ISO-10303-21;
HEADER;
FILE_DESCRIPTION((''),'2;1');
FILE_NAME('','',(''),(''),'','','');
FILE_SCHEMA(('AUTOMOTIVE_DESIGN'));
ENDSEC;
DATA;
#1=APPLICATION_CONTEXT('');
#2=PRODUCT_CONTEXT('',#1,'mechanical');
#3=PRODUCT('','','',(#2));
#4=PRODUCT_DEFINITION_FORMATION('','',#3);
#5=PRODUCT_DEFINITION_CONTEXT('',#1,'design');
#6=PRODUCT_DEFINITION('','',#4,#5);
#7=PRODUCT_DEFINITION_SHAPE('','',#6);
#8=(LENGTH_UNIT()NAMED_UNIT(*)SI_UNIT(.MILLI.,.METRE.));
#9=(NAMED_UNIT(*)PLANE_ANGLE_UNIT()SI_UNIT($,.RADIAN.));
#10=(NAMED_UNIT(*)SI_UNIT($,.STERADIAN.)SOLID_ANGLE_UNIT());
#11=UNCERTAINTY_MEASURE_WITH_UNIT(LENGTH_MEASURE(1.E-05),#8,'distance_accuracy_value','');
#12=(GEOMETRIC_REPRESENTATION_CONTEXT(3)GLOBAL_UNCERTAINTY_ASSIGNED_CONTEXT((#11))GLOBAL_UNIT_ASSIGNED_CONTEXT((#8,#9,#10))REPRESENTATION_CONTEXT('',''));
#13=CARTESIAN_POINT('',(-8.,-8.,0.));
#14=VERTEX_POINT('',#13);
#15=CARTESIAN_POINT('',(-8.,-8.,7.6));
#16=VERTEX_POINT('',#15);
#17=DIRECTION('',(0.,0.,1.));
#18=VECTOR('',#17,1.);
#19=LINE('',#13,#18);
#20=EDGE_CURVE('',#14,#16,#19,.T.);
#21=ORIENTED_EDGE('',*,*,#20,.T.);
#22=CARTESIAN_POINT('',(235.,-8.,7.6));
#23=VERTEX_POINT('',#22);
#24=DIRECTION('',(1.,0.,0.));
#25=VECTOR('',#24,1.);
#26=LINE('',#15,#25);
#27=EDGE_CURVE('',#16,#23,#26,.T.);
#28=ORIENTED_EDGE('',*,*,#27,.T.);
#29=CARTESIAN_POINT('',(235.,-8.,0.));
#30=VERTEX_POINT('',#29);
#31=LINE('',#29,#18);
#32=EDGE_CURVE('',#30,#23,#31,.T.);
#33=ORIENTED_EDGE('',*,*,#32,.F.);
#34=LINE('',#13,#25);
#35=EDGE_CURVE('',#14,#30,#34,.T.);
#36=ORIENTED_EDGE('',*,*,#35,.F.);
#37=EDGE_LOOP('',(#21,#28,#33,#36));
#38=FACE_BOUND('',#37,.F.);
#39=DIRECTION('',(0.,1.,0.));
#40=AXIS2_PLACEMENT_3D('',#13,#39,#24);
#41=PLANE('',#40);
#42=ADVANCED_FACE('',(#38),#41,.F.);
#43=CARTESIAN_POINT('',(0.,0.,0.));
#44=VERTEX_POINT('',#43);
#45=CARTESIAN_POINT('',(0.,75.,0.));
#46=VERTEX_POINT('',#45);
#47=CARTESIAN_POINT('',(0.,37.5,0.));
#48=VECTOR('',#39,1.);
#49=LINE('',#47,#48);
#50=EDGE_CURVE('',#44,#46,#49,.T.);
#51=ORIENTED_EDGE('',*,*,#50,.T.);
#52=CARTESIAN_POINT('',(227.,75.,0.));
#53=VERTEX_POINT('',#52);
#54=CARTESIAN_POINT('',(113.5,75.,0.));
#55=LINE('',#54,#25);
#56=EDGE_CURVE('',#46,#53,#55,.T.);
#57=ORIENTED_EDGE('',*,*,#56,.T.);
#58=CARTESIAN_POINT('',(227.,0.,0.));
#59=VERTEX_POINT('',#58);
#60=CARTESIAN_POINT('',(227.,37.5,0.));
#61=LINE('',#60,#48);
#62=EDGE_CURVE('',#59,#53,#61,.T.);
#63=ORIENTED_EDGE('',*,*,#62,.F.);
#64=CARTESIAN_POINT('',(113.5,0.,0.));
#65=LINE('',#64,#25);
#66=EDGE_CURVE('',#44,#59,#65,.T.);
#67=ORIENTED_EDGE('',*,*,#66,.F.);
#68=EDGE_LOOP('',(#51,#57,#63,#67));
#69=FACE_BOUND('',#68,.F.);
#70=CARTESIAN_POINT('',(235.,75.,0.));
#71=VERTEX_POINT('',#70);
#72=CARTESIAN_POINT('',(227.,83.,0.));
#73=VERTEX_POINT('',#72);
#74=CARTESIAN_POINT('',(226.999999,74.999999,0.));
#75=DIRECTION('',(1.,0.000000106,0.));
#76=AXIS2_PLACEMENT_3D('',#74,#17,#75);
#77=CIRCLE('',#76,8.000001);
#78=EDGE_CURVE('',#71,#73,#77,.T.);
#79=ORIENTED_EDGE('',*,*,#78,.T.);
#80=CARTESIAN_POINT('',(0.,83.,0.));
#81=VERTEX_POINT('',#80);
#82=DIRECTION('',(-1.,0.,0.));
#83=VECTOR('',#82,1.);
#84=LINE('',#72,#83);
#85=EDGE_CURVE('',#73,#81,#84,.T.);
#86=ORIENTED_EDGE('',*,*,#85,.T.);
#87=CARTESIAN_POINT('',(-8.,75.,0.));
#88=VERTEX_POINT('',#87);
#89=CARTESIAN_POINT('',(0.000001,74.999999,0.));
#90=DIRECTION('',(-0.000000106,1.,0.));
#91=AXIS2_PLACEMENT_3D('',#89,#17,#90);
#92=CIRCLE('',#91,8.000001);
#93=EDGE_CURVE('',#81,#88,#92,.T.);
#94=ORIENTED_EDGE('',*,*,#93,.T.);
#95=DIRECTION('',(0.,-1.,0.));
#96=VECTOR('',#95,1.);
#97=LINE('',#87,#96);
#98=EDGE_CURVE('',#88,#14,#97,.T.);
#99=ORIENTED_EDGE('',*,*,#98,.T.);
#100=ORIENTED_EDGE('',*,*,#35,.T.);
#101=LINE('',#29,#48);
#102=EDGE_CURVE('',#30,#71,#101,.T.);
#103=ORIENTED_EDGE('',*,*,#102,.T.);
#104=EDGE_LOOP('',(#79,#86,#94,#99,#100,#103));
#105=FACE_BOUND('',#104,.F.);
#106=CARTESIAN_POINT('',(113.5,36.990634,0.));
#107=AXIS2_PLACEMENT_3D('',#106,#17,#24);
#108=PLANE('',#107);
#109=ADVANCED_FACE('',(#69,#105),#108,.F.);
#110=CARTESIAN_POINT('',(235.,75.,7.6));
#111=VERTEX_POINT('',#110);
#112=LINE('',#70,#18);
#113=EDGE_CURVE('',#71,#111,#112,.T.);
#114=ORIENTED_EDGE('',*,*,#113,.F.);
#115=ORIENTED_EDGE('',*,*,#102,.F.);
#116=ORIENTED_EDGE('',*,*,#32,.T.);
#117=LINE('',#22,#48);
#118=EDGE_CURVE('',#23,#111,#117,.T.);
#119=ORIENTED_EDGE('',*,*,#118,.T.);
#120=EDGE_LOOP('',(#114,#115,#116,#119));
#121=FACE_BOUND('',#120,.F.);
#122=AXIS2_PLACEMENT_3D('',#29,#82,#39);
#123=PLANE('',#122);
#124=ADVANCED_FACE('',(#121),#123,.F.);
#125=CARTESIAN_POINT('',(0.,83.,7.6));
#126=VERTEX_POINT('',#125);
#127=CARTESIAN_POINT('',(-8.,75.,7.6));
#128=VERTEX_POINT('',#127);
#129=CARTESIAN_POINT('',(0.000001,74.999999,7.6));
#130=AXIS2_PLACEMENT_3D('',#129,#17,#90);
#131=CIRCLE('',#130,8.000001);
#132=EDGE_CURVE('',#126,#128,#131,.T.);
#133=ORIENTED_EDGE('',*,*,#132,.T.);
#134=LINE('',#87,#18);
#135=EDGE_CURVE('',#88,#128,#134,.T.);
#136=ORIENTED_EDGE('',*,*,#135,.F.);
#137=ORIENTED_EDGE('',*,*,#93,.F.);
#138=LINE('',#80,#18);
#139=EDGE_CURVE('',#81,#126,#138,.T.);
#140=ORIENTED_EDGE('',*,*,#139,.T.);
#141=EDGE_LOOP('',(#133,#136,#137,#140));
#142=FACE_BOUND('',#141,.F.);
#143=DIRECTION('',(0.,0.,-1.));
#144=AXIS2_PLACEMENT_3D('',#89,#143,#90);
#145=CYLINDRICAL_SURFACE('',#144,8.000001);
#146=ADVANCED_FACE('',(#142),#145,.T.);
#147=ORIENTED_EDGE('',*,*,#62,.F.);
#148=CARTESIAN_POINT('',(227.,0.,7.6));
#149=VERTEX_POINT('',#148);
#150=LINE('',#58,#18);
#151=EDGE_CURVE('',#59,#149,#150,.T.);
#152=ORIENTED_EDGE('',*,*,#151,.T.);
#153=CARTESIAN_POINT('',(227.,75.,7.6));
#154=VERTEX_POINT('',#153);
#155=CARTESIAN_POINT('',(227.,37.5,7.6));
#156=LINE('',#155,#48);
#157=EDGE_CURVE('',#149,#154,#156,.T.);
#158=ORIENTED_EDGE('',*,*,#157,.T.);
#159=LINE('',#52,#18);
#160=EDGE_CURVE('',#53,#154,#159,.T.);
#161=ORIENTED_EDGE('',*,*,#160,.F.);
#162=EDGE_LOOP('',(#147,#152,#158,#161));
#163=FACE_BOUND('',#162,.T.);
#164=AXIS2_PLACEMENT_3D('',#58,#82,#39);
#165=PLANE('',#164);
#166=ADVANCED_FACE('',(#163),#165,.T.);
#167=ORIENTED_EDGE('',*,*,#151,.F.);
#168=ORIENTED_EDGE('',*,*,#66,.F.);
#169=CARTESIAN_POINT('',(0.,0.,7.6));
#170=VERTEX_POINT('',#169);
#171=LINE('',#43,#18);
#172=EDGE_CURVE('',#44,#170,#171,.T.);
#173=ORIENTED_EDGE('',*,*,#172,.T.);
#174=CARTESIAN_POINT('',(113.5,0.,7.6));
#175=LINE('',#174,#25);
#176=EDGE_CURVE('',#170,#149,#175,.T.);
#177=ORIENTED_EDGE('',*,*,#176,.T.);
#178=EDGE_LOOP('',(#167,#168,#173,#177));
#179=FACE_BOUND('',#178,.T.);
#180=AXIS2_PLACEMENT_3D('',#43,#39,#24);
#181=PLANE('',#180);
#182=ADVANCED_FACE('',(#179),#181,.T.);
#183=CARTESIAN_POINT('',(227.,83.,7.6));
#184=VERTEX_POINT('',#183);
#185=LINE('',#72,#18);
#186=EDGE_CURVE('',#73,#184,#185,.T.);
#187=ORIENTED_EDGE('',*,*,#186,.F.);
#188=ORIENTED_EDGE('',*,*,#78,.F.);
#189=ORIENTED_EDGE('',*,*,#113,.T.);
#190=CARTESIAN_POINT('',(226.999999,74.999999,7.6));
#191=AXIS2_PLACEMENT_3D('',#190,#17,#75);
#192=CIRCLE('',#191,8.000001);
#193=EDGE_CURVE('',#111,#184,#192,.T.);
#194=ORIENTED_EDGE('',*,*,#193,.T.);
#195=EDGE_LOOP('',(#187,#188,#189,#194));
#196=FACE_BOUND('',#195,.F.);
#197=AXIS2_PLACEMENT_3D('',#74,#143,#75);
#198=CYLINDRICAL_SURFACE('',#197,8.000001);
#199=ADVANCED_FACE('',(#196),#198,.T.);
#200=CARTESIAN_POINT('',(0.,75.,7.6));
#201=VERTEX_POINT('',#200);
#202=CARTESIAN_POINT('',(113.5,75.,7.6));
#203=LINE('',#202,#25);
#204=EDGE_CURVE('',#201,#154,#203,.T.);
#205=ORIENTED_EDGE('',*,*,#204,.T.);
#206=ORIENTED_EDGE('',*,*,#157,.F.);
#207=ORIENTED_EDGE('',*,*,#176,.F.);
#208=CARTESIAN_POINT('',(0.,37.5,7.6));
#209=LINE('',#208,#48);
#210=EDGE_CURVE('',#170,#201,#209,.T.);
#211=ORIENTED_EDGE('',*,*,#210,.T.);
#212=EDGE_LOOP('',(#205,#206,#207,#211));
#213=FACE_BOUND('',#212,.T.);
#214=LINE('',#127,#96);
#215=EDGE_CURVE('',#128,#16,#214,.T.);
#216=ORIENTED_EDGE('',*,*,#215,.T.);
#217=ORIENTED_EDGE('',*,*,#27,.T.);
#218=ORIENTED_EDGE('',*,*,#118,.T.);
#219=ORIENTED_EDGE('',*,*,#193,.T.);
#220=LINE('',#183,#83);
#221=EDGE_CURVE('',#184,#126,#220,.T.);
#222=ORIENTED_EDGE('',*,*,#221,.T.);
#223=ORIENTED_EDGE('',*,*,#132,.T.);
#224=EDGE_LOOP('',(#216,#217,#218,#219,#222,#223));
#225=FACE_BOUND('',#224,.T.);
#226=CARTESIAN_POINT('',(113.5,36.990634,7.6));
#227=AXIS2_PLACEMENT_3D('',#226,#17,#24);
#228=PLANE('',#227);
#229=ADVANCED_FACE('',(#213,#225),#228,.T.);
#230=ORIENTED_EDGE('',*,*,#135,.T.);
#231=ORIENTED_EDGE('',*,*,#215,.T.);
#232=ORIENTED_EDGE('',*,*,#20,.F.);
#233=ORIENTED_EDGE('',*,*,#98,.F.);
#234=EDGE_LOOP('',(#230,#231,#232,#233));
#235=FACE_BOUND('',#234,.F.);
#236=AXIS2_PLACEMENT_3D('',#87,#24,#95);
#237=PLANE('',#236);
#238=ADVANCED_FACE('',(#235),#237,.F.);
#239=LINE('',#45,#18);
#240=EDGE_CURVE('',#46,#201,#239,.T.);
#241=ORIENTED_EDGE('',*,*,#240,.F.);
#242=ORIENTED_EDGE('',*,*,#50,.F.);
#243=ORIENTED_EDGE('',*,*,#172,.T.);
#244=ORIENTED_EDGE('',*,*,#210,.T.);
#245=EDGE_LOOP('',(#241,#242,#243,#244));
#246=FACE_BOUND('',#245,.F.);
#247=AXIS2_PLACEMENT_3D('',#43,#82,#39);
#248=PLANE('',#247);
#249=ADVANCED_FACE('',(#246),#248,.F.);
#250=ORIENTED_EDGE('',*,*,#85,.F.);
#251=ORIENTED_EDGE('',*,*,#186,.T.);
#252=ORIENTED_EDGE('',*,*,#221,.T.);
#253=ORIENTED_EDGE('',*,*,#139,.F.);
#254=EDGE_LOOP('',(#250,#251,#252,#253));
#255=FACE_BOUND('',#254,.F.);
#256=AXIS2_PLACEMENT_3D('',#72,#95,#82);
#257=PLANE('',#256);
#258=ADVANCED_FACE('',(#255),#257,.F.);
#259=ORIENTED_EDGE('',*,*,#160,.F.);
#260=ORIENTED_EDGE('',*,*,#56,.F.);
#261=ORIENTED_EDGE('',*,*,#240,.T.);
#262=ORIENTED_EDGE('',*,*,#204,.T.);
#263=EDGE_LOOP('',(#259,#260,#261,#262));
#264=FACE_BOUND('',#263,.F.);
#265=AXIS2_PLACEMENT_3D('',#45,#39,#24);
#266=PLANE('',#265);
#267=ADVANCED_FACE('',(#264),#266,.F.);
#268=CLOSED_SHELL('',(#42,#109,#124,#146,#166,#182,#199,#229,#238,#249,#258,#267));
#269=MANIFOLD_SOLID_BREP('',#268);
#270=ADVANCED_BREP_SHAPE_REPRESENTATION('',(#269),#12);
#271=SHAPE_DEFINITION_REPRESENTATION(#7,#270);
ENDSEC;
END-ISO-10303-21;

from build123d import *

# Parameters (mm, degrees)
F0_W     = 227
F0_H     = 75
F1_DEPTH = 7.6


with BuildPart() as f1:
    # F0 (on Top) → F1 (new body)
    with BuildSketch(Plane.XY):
        with BuildLine():
            Line((227, 83), (0, 83))
            ThreePointArc((0, 83), (-5.656854, 80.656854), (-8, 75))
            Line((-8, 75), (-8, 0))
            Line((-8, 0), (-8, -8))
            Line((-8, -8), (0, -8))
            Line((0, -8), (227, -8))
            Line((227, -8), (235, -8))
            Line((235, -8), (235, 0))
            Line((235, 0), (235, 75))
            ThreePointArc((235, 75), (232.656854, 80.656854), (227, 83))
        make_face()
        with Locations((113.5, 37.5)):
            Rectangle(F0_W, F0_H, mode=Mode.SUBTRACT)
    extrude(amount=F1_DEPTH)


solid = f1.part
